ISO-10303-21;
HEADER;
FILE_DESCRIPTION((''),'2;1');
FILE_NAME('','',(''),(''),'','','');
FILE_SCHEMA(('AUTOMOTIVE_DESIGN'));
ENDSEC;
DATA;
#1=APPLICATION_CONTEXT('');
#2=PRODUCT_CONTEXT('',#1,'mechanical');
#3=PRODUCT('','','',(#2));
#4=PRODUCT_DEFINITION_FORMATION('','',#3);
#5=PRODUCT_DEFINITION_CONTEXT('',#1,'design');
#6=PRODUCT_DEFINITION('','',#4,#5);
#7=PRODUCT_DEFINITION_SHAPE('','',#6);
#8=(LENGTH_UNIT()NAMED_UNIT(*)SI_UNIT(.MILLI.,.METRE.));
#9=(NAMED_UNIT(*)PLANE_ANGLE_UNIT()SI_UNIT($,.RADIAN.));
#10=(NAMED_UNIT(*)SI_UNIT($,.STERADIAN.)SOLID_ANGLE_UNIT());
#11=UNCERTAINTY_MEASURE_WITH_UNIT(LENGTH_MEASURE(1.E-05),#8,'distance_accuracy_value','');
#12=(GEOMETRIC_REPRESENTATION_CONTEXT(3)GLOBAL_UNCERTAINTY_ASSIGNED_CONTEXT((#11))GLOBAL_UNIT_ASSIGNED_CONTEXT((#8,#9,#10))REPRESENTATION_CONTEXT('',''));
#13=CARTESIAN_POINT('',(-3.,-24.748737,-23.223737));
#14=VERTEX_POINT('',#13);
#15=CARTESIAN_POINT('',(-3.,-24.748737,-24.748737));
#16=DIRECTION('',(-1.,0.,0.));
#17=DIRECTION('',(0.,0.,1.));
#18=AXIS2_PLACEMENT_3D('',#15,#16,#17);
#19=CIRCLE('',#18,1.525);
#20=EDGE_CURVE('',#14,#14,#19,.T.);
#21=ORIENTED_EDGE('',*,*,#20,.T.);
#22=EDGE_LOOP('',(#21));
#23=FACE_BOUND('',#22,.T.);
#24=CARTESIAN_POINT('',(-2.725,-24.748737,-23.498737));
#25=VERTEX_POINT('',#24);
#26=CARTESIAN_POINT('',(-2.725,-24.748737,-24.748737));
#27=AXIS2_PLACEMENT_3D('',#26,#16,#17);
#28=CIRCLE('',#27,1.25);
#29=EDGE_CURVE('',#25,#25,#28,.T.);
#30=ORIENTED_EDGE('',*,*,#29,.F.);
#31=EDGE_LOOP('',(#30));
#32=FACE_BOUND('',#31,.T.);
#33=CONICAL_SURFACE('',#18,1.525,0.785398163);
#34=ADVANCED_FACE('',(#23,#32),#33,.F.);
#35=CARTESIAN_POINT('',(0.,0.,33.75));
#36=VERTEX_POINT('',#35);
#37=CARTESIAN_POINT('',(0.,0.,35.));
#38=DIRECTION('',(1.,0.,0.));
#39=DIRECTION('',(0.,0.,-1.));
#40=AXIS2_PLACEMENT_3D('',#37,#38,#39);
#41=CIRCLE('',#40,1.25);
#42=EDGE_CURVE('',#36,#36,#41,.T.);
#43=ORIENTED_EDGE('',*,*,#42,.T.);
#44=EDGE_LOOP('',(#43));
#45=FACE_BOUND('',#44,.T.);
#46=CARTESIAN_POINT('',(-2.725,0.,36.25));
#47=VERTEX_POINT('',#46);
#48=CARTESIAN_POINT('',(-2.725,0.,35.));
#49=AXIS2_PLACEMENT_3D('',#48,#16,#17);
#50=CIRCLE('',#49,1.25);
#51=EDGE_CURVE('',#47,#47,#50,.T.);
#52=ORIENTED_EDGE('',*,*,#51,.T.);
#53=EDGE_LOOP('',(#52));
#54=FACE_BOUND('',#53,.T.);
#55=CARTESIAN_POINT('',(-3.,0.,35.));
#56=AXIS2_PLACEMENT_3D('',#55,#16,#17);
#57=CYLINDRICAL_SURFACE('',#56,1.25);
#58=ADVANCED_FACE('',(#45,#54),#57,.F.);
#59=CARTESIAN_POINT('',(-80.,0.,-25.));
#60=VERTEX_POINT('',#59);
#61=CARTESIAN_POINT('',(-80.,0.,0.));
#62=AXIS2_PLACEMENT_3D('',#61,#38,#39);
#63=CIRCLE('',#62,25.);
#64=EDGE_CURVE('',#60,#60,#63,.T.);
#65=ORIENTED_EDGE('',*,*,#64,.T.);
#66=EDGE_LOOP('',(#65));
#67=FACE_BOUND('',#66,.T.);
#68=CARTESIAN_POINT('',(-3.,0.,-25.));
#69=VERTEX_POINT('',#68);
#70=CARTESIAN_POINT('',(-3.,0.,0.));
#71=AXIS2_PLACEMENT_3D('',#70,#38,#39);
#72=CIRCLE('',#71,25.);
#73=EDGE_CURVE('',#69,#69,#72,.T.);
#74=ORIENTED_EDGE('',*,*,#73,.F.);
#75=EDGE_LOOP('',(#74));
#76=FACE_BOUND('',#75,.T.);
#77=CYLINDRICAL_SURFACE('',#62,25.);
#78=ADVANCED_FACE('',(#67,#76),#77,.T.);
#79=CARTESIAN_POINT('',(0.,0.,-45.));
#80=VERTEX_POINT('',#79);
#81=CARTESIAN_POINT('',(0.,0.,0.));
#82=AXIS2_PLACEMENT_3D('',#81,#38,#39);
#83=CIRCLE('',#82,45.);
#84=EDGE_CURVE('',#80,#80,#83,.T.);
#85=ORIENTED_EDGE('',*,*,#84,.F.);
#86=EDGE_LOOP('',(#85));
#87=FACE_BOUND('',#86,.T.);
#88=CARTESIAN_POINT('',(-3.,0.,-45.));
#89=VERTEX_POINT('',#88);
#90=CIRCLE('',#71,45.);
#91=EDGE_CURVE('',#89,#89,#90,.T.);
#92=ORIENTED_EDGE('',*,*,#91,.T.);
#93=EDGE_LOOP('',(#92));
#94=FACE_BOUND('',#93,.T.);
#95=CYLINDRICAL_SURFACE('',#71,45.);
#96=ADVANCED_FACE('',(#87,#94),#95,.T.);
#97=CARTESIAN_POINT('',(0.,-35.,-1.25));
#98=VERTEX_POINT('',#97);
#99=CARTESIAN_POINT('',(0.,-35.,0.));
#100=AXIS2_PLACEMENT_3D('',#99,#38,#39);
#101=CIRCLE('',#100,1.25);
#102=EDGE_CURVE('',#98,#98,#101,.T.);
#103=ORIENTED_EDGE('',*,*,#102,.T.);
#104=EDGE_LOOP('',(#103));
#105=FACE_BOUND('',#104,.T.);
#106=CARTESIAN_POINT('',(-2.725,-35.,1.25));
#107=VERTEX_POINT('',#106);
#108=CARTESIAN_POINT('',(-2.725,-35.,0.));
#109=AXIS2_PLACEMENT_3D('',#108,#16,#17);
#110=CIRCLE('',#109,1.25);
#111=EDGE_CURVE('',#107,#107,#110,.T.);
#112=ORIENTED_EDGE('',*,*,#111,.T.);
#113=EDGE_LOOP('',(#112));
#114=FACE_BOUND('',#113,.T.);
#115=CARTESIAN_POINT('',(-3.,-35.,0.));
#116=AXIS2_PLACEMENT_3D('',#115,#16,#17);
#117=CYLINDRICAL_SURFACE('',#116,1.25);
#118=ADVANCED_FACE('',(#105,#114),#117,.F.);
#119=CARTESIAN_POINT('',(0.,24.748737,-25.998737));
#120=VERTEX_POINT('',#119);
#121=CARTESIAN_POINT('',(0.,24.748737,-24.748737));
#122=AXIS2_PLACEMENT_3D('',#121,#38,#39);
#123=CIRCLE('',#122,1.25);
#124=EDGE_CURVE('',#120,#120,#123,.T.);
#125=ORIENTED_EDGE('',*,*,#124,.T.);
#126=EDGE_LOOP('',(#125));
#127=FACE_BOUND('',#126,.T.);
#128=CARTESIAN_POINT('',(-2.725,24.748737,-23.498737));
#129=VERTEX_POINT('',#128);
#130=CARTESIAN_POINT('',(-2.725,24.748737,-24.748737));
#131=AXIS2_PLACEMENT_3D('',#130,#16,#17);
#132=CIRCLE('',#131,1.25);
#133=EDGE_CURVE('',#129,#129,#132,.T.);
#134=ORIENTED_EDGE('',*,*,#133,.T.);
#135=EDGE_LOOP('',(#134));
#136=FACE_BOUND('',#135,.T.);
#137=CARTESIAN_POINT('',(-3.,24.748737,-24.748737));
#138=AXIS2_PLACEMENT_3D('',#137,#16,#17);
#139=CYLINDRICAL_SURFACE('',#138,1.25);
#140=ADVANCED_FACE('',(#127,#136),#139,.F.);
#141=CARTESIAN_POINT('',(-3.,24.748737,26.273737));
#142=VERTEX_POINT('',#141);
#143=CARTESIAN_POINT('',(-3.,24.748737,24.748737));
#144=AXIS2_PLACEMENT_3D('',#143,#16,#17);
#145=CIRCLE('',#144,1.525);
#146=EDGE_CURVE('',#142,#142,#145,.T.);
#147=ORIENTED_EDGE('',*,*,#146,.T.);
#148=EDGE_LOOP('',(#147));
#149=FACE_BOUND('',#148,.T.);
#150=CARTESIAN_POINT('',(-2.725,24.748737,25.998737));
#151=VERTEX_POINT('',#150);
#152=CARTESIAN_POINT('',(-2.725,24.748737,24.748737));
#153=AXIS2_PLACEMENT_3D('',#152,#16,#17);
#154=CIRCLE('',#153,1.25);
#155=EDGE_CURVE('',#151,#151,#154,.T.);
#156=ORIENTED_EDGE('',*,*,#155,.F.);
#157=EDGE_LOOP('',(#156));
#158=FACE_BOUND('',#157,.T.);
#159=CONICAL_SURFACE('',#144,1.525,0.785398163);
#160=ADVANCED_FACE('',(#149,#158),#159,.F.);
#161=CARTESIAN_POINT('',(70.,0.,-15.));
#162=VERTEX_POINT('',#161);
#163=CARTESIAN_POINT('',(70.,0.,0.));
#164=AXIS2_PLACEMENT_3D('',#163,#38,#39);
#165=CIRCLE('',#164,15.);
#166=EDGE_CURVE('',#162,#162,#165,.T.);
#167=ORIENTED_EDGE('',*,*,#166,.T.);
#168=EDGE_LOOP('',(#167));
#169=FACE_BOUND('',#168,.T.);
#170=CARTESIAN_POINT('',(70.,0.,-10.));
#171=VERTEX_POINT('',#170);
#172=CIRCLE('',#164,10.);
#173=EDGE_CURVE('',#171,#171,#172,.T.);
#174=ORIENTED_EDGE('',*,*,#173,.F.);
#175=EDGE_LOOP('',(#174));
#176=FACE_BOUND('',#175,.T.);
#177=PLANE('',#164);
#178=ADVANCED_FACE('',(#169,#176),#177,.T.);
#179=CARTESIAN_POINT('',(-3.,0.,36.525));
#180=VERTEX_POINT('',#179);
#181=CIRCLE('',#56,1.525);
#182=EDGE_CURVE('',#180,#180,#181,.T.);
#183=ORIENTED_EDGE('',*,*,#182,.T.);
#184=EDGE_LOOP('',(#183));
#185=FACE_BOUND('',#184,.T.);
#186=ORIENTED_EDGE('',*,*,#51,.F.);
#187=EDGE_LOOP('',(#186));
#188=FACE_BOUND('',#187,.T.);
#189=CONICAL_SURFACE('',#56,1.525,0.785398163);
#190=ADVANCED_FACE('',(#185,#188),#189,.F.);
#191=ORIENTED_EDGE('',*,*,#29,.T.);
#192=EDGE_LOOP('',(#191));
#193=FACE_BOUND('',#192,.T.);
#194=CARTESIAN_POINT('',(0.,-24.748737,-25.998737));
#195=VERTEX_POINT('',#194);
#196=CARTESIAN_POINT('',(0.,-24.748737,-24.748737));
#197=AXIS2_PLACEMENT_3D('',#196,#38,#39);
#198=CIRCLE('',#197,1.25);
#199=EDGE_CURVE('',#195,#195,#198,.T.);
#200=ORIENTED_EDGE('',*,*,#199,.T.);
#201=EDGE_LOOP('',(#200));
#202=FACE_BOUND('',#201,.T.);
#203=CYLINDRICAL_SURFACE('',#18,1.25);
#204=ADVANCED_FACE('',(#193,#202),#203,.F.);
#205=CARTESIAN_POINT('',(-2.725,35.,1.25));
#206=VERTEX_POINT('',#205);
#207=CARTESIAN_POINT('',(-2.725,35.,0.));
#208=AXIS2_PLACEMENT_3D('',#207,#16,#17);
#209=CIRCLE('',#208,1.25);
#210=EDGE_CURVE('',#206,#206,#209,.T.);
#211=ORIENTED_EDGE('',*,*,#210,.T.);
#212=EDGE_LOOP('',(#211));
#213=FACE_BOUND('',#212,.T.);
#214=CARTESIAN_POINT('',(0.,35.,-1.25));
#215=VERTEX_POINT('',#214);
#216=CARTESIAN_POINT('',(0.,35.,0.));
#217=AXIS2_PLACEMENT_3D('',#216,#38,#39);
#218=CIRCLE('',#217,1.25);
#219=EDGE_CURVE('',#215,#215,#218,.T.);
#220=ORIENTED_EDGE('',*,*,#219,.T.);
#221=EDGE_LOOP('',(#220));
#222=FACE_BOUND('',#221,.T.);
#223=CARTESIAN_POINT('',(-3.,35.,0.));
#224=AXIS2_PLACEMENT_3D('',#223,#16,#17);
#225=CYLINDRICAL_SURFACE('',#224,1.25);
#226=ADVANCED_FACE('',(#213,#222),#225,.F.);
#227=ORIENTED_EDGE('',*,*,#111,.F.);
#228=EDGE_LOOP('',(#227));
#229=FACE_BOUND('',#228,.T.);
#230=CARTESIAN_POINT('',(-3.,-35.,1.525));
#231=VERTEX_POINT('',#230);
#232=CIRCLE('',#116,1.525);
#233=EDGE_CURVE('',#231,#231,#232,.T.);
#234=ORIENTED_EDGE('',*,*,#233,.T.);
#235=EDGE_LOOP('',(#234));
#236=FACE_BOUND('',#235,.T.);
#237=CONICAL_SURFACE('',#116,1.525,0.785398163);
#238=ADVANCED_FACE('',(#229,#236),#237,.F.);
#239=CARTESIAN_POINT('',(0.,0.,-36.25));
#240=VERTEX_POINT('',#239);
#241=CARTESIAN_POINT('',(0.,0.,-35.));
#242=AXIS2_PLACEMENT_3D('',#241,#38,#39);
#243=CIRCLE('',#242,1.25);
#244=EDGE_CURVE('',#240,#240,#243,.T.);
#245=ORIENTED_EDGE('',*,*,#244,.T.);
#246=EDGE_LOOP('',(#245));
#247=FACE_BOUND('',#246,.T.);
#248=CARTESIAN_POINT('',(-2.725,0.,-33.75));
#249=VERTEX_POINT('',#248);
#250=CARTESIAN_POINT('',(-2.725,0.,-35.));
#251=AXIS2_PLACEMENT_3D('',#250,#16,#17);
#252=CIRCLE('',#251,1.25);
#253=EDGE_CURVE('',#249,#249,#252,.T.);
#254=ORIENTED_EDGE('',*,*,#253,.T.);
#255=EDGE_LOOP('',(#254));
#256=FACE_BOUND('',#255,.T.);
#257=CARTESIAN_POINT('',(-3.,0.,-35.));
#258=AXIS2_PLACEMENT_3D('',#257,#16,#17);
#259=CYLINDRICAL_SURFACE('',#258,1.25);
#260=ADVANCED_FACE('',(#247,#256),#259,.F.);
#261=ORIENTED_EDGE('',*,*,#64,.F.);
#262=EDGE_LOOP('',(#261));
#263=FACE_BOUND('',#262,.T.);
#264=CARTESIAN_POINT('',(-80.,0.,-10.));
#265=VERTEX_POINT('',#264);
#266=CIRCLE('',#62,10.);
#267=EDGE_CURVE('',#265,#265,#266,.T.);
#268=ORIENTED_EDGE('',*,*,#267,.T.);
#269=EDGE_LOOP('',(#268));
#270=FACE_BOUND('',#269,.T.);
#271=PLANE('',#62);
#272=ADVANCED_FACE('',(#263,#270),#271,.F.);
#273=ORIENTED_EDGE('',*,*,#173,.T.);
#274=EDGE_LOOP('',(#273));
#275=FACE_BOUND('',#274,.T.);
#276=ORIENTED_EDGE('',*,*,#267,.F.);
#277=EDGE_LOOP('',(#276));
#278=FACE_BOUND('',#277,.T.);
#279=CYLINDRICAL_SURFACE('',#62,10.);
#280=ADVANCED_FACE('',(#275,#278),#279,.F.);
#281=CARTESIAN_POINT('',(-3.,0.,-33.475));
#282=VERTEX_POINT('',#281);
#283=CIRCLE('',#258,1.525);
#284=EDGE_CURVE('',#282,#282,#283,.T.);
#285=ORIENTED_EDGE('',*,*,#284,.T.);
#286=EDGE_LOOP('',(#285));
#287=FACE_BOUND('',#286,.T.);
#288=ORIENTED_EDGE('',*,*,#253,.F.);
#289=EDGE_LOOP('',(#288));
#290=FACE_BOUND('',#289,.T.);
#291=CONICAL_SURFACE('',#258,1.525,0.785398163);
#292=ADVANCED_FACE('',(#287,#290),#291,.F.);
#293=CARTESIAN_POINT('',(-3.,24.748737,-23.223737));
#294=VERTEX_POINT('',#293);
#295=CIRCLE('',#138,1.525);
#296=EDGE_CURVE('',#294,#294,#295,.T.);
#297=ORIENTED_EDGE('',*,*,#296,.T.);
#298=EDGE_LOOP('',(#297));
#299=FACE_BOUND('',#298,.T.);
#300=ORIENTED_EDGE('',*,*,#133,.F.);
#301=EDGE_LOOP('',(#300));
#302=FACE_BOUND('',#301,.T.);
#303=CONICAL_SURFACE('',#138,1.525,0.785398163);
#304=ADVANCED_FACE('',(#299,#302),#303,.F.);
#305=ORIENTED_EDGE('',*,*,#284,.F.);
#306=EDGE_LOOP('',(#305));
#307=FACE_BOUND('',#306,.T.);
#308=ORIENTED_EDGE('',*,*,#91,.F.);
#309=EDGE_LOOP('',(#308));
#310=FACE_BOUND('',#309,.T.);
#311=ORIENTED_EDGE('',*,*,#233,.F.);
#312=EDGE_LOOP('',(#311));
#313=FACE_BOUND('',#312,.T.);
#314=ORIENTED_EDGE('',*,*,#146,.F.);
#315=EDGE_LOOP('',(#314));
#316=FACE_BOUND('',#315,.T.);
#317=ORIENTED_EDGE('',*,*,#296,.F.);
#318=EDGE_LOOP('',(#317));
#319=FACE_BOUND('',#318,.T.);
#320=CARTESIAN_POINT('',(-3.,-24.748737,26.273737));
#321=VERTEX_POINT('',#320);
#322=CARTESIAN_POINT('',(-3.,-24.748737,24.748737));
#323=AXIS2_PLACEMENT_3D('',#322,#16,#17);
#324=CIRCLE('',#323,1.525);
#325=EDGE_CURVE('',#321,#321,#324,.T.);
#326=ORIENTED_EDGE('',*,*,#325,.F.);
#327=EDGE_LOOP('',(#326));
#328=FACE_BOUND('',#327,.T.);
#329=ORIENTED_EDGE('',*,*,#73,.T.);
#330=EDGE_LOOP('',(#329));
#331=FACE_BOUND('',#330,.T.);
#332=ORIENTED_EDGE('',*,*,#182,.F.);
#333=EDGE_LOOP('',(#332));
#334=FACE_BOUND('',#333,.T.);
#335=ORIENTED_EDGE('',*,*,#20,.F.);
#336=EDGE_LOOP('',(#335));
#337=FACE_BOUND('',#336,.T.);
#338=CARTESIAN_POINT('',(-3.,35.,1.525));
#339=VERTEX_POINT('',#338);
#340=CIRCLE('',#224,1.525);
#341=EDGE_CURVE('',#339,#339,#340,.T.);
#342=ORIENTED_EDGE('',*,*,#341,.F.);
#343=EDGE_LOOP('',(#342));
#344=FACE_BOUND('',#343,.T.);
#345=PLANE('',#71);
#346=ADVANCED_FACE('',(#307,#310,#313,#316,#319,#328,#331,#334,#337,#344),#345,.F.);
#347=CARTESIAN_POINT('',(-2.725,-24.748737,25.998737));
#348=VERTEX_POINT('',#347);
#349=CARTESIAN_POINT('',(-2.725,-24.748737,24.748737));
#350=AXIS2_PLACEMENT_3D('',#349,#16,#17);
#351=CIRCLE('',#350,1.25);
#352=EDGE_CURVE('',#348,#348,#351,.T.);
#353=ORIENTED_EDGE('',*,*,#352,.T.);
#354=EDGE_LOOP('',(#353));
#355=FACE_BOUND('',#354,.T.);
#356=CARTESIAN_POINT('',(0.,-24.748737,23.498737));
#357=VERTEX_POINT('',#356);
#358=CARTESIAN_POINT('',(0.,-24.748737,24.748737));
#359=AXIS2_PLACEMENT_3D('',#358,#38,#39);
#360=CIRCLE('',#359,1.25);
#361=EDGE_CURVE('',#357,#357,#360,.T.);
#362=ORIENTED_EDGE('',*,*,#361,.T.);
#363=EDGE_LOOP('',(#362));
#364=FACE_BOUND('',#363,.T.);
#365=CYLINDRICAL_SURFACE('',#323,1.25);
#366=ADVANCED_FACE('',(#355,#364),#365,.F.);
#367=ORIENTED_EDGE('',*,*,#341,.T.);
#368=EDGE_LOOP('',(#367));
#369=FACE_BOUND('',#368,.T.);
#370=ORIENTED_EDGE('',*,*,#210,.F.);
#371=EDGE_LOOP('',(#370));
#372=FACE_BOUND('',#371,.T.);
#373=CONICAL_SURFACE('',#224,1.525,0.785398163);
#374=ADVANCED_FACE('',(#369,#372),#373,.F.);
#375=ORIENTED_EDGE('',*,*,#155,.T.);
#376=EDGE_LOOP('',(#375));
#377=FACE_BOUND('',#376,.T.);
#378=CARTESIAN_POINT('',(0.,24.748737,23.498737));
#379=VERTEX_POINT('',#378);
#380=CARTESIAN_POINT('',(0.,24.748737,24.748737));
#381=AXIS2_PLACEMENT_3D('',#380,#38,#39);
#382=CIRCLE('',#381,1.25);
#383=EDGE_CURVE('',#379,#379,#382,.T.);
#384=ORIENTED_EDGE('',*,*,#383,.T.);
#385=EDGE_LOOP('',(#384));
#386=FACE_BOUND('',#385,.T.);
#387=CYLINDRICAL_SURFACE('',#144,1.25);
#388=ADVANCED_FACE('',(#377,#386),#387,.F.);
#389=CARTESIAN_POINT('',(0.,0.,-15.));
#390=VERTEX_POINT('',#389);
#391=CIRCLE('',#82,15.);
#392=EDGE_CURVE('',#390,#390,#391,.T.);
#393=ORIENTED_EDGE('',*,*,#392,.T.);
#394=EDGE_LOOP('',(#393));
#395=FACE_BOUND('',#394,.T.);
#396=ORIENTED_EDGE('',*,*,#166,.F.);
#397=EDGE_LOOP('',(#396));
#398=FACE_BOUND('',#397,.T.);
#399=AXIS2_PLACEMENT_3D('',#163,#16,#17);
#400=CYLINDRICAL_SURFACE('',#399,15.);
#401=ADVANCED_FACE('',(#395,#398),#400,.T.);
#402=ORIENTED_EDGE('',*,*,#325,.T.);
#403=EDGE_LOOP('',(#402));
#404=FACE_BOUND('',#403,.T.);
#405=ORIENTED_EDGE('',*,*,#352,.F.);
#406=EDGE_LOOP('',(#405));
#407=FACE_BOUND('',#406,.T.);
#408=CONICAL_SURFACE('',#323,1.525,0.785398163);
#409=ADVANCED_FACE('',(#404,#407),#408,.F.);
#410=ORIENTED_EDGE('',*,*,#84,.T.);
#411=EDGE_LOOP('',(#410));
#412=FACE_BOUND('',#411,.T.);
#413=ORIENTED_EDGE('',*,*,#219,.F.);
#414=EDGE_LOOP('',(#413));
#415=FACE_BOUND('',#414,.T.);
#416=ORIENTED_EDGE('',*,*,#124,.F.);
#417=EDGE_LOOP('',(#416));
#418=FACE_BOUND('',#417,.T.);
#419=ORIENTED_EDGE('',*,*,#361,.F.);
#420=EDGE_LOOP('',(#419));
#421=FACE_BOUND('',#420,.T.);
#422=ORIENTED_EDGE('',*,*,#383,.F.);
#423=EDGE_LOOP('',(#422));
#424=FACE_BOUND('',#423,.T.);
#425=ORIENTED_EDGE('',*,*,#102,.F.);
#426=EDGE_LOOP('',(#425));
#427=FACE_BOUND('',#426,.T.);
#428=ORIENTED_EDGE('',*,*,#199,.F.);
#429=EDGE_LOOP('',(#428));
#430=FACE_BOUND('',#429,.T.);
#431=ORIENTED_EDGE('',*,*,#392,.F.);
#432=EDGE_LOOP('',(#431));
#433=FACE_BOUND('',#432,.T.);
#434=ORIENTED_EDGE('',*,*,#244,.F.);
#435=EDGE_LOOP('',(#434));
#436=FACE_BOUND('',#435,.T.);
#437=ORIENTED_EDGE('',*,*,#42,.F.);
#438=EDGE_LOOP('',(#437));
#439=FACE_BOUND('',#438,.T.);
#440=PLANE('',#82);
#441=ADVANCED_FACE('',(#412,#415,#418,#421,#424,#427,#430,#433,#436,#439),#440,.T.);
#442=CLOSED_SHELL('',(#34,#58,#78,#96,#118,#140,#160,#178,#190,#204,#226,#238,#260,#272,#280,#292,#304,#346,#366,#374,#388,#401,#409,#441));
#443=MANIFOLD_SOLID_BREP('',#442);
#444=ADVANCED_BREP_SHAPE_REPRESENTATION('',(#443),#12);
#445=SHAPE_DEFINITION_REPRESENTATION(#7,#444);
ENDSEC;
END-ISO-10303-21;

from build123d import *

# Parameters (mm, degrees)
SKETCH1_R                   = 25
SKETCH1_R_2                 = 10
BOSS_EXTRUDE1_DEPTH         = 80
SKETCH1_3_R                 = 15
SKETCH1_3_R_2               = 10
BOSS_EXTRUDE2_DEPTH         = 70
SKETCH1_4_R                 = 45
SKETCH1_4_R_2               = 25
BOSS_EXTRUDE3_DEPTH         = 3
M3_TAPPED_HOLE1_D           = 2.5
M3_TAPPED_HOLE1_CSINK_D     = 3.05
M3_TAPPED_HOLE1_CSINK_ANGLE = 90


with BuildPart() as part:
    # Sketch1 → Boss-Extrude1 (new body)
    with BuildSketch(Plane(origin=(0, 0, 0), x_dir=(0, 0, -1), z_dir=(1, 0, 0))):
        Circle(SKETCH1_R)
        Circle(SKETCH1_R_2, mode=Mode.SUBTRACT)
    extrude(amount=-BOSS_EXTRUDE1_DEPTH)



with BuildPart() as body_2:
    # Sketch1<3> → Boss-Extrude2 (new body)
    with BuildSketch(Plane(origin=(0, 0, 0), x_dir=(0, 0, -1), z_dir=(1, 0, 0))):
        Circle(SKETCH1_3_R)
        Circle(SKETCH1_3_R_2, mode=Mode.SUBTRACT)
    extrude(amount=BOSS_EXTRUDE2_DEPTH)


with BuildPart() as part_1:
    add(part.part)

    add(body_2.part)  # Boss-Extrude3 merges body 2
    # Sketch1<4> → Boss-Extrude3 (add)
    with BuildSketch(Plane(origin=(0, 0, 0), x_dir=(0, 0, -1), z_dir=(1, 0, 0))):
        Circle(SKETCH1_4_R)
        Circle(SKETCH1_4_R_2, mode=Mode.SUBTRACT)
    extrude(amount=-BOSS_EXTRUDE3_DEPTH)

    # M3 Tapped Hole1 (through all)
    with Locations(Plane.ZY.offset(3)):
        with Locations((35, 0), (0, 35), (-35, 0), (0, -35), (24.748737342, 24.748737342), (-24.748737342, 24.748737342), (-24.748737342, -24.748737342), (24.748737342, -24.748737342)):
            CounterSinkHole(M3_TAPPED_HOLE1_D / 2, M3_TAPPED_HOLE1_CSINK_D / 2, counter_sink_angle=M3_TAPPED_HOLE1_CSINK_ANGLE)


solid = part_1.part
